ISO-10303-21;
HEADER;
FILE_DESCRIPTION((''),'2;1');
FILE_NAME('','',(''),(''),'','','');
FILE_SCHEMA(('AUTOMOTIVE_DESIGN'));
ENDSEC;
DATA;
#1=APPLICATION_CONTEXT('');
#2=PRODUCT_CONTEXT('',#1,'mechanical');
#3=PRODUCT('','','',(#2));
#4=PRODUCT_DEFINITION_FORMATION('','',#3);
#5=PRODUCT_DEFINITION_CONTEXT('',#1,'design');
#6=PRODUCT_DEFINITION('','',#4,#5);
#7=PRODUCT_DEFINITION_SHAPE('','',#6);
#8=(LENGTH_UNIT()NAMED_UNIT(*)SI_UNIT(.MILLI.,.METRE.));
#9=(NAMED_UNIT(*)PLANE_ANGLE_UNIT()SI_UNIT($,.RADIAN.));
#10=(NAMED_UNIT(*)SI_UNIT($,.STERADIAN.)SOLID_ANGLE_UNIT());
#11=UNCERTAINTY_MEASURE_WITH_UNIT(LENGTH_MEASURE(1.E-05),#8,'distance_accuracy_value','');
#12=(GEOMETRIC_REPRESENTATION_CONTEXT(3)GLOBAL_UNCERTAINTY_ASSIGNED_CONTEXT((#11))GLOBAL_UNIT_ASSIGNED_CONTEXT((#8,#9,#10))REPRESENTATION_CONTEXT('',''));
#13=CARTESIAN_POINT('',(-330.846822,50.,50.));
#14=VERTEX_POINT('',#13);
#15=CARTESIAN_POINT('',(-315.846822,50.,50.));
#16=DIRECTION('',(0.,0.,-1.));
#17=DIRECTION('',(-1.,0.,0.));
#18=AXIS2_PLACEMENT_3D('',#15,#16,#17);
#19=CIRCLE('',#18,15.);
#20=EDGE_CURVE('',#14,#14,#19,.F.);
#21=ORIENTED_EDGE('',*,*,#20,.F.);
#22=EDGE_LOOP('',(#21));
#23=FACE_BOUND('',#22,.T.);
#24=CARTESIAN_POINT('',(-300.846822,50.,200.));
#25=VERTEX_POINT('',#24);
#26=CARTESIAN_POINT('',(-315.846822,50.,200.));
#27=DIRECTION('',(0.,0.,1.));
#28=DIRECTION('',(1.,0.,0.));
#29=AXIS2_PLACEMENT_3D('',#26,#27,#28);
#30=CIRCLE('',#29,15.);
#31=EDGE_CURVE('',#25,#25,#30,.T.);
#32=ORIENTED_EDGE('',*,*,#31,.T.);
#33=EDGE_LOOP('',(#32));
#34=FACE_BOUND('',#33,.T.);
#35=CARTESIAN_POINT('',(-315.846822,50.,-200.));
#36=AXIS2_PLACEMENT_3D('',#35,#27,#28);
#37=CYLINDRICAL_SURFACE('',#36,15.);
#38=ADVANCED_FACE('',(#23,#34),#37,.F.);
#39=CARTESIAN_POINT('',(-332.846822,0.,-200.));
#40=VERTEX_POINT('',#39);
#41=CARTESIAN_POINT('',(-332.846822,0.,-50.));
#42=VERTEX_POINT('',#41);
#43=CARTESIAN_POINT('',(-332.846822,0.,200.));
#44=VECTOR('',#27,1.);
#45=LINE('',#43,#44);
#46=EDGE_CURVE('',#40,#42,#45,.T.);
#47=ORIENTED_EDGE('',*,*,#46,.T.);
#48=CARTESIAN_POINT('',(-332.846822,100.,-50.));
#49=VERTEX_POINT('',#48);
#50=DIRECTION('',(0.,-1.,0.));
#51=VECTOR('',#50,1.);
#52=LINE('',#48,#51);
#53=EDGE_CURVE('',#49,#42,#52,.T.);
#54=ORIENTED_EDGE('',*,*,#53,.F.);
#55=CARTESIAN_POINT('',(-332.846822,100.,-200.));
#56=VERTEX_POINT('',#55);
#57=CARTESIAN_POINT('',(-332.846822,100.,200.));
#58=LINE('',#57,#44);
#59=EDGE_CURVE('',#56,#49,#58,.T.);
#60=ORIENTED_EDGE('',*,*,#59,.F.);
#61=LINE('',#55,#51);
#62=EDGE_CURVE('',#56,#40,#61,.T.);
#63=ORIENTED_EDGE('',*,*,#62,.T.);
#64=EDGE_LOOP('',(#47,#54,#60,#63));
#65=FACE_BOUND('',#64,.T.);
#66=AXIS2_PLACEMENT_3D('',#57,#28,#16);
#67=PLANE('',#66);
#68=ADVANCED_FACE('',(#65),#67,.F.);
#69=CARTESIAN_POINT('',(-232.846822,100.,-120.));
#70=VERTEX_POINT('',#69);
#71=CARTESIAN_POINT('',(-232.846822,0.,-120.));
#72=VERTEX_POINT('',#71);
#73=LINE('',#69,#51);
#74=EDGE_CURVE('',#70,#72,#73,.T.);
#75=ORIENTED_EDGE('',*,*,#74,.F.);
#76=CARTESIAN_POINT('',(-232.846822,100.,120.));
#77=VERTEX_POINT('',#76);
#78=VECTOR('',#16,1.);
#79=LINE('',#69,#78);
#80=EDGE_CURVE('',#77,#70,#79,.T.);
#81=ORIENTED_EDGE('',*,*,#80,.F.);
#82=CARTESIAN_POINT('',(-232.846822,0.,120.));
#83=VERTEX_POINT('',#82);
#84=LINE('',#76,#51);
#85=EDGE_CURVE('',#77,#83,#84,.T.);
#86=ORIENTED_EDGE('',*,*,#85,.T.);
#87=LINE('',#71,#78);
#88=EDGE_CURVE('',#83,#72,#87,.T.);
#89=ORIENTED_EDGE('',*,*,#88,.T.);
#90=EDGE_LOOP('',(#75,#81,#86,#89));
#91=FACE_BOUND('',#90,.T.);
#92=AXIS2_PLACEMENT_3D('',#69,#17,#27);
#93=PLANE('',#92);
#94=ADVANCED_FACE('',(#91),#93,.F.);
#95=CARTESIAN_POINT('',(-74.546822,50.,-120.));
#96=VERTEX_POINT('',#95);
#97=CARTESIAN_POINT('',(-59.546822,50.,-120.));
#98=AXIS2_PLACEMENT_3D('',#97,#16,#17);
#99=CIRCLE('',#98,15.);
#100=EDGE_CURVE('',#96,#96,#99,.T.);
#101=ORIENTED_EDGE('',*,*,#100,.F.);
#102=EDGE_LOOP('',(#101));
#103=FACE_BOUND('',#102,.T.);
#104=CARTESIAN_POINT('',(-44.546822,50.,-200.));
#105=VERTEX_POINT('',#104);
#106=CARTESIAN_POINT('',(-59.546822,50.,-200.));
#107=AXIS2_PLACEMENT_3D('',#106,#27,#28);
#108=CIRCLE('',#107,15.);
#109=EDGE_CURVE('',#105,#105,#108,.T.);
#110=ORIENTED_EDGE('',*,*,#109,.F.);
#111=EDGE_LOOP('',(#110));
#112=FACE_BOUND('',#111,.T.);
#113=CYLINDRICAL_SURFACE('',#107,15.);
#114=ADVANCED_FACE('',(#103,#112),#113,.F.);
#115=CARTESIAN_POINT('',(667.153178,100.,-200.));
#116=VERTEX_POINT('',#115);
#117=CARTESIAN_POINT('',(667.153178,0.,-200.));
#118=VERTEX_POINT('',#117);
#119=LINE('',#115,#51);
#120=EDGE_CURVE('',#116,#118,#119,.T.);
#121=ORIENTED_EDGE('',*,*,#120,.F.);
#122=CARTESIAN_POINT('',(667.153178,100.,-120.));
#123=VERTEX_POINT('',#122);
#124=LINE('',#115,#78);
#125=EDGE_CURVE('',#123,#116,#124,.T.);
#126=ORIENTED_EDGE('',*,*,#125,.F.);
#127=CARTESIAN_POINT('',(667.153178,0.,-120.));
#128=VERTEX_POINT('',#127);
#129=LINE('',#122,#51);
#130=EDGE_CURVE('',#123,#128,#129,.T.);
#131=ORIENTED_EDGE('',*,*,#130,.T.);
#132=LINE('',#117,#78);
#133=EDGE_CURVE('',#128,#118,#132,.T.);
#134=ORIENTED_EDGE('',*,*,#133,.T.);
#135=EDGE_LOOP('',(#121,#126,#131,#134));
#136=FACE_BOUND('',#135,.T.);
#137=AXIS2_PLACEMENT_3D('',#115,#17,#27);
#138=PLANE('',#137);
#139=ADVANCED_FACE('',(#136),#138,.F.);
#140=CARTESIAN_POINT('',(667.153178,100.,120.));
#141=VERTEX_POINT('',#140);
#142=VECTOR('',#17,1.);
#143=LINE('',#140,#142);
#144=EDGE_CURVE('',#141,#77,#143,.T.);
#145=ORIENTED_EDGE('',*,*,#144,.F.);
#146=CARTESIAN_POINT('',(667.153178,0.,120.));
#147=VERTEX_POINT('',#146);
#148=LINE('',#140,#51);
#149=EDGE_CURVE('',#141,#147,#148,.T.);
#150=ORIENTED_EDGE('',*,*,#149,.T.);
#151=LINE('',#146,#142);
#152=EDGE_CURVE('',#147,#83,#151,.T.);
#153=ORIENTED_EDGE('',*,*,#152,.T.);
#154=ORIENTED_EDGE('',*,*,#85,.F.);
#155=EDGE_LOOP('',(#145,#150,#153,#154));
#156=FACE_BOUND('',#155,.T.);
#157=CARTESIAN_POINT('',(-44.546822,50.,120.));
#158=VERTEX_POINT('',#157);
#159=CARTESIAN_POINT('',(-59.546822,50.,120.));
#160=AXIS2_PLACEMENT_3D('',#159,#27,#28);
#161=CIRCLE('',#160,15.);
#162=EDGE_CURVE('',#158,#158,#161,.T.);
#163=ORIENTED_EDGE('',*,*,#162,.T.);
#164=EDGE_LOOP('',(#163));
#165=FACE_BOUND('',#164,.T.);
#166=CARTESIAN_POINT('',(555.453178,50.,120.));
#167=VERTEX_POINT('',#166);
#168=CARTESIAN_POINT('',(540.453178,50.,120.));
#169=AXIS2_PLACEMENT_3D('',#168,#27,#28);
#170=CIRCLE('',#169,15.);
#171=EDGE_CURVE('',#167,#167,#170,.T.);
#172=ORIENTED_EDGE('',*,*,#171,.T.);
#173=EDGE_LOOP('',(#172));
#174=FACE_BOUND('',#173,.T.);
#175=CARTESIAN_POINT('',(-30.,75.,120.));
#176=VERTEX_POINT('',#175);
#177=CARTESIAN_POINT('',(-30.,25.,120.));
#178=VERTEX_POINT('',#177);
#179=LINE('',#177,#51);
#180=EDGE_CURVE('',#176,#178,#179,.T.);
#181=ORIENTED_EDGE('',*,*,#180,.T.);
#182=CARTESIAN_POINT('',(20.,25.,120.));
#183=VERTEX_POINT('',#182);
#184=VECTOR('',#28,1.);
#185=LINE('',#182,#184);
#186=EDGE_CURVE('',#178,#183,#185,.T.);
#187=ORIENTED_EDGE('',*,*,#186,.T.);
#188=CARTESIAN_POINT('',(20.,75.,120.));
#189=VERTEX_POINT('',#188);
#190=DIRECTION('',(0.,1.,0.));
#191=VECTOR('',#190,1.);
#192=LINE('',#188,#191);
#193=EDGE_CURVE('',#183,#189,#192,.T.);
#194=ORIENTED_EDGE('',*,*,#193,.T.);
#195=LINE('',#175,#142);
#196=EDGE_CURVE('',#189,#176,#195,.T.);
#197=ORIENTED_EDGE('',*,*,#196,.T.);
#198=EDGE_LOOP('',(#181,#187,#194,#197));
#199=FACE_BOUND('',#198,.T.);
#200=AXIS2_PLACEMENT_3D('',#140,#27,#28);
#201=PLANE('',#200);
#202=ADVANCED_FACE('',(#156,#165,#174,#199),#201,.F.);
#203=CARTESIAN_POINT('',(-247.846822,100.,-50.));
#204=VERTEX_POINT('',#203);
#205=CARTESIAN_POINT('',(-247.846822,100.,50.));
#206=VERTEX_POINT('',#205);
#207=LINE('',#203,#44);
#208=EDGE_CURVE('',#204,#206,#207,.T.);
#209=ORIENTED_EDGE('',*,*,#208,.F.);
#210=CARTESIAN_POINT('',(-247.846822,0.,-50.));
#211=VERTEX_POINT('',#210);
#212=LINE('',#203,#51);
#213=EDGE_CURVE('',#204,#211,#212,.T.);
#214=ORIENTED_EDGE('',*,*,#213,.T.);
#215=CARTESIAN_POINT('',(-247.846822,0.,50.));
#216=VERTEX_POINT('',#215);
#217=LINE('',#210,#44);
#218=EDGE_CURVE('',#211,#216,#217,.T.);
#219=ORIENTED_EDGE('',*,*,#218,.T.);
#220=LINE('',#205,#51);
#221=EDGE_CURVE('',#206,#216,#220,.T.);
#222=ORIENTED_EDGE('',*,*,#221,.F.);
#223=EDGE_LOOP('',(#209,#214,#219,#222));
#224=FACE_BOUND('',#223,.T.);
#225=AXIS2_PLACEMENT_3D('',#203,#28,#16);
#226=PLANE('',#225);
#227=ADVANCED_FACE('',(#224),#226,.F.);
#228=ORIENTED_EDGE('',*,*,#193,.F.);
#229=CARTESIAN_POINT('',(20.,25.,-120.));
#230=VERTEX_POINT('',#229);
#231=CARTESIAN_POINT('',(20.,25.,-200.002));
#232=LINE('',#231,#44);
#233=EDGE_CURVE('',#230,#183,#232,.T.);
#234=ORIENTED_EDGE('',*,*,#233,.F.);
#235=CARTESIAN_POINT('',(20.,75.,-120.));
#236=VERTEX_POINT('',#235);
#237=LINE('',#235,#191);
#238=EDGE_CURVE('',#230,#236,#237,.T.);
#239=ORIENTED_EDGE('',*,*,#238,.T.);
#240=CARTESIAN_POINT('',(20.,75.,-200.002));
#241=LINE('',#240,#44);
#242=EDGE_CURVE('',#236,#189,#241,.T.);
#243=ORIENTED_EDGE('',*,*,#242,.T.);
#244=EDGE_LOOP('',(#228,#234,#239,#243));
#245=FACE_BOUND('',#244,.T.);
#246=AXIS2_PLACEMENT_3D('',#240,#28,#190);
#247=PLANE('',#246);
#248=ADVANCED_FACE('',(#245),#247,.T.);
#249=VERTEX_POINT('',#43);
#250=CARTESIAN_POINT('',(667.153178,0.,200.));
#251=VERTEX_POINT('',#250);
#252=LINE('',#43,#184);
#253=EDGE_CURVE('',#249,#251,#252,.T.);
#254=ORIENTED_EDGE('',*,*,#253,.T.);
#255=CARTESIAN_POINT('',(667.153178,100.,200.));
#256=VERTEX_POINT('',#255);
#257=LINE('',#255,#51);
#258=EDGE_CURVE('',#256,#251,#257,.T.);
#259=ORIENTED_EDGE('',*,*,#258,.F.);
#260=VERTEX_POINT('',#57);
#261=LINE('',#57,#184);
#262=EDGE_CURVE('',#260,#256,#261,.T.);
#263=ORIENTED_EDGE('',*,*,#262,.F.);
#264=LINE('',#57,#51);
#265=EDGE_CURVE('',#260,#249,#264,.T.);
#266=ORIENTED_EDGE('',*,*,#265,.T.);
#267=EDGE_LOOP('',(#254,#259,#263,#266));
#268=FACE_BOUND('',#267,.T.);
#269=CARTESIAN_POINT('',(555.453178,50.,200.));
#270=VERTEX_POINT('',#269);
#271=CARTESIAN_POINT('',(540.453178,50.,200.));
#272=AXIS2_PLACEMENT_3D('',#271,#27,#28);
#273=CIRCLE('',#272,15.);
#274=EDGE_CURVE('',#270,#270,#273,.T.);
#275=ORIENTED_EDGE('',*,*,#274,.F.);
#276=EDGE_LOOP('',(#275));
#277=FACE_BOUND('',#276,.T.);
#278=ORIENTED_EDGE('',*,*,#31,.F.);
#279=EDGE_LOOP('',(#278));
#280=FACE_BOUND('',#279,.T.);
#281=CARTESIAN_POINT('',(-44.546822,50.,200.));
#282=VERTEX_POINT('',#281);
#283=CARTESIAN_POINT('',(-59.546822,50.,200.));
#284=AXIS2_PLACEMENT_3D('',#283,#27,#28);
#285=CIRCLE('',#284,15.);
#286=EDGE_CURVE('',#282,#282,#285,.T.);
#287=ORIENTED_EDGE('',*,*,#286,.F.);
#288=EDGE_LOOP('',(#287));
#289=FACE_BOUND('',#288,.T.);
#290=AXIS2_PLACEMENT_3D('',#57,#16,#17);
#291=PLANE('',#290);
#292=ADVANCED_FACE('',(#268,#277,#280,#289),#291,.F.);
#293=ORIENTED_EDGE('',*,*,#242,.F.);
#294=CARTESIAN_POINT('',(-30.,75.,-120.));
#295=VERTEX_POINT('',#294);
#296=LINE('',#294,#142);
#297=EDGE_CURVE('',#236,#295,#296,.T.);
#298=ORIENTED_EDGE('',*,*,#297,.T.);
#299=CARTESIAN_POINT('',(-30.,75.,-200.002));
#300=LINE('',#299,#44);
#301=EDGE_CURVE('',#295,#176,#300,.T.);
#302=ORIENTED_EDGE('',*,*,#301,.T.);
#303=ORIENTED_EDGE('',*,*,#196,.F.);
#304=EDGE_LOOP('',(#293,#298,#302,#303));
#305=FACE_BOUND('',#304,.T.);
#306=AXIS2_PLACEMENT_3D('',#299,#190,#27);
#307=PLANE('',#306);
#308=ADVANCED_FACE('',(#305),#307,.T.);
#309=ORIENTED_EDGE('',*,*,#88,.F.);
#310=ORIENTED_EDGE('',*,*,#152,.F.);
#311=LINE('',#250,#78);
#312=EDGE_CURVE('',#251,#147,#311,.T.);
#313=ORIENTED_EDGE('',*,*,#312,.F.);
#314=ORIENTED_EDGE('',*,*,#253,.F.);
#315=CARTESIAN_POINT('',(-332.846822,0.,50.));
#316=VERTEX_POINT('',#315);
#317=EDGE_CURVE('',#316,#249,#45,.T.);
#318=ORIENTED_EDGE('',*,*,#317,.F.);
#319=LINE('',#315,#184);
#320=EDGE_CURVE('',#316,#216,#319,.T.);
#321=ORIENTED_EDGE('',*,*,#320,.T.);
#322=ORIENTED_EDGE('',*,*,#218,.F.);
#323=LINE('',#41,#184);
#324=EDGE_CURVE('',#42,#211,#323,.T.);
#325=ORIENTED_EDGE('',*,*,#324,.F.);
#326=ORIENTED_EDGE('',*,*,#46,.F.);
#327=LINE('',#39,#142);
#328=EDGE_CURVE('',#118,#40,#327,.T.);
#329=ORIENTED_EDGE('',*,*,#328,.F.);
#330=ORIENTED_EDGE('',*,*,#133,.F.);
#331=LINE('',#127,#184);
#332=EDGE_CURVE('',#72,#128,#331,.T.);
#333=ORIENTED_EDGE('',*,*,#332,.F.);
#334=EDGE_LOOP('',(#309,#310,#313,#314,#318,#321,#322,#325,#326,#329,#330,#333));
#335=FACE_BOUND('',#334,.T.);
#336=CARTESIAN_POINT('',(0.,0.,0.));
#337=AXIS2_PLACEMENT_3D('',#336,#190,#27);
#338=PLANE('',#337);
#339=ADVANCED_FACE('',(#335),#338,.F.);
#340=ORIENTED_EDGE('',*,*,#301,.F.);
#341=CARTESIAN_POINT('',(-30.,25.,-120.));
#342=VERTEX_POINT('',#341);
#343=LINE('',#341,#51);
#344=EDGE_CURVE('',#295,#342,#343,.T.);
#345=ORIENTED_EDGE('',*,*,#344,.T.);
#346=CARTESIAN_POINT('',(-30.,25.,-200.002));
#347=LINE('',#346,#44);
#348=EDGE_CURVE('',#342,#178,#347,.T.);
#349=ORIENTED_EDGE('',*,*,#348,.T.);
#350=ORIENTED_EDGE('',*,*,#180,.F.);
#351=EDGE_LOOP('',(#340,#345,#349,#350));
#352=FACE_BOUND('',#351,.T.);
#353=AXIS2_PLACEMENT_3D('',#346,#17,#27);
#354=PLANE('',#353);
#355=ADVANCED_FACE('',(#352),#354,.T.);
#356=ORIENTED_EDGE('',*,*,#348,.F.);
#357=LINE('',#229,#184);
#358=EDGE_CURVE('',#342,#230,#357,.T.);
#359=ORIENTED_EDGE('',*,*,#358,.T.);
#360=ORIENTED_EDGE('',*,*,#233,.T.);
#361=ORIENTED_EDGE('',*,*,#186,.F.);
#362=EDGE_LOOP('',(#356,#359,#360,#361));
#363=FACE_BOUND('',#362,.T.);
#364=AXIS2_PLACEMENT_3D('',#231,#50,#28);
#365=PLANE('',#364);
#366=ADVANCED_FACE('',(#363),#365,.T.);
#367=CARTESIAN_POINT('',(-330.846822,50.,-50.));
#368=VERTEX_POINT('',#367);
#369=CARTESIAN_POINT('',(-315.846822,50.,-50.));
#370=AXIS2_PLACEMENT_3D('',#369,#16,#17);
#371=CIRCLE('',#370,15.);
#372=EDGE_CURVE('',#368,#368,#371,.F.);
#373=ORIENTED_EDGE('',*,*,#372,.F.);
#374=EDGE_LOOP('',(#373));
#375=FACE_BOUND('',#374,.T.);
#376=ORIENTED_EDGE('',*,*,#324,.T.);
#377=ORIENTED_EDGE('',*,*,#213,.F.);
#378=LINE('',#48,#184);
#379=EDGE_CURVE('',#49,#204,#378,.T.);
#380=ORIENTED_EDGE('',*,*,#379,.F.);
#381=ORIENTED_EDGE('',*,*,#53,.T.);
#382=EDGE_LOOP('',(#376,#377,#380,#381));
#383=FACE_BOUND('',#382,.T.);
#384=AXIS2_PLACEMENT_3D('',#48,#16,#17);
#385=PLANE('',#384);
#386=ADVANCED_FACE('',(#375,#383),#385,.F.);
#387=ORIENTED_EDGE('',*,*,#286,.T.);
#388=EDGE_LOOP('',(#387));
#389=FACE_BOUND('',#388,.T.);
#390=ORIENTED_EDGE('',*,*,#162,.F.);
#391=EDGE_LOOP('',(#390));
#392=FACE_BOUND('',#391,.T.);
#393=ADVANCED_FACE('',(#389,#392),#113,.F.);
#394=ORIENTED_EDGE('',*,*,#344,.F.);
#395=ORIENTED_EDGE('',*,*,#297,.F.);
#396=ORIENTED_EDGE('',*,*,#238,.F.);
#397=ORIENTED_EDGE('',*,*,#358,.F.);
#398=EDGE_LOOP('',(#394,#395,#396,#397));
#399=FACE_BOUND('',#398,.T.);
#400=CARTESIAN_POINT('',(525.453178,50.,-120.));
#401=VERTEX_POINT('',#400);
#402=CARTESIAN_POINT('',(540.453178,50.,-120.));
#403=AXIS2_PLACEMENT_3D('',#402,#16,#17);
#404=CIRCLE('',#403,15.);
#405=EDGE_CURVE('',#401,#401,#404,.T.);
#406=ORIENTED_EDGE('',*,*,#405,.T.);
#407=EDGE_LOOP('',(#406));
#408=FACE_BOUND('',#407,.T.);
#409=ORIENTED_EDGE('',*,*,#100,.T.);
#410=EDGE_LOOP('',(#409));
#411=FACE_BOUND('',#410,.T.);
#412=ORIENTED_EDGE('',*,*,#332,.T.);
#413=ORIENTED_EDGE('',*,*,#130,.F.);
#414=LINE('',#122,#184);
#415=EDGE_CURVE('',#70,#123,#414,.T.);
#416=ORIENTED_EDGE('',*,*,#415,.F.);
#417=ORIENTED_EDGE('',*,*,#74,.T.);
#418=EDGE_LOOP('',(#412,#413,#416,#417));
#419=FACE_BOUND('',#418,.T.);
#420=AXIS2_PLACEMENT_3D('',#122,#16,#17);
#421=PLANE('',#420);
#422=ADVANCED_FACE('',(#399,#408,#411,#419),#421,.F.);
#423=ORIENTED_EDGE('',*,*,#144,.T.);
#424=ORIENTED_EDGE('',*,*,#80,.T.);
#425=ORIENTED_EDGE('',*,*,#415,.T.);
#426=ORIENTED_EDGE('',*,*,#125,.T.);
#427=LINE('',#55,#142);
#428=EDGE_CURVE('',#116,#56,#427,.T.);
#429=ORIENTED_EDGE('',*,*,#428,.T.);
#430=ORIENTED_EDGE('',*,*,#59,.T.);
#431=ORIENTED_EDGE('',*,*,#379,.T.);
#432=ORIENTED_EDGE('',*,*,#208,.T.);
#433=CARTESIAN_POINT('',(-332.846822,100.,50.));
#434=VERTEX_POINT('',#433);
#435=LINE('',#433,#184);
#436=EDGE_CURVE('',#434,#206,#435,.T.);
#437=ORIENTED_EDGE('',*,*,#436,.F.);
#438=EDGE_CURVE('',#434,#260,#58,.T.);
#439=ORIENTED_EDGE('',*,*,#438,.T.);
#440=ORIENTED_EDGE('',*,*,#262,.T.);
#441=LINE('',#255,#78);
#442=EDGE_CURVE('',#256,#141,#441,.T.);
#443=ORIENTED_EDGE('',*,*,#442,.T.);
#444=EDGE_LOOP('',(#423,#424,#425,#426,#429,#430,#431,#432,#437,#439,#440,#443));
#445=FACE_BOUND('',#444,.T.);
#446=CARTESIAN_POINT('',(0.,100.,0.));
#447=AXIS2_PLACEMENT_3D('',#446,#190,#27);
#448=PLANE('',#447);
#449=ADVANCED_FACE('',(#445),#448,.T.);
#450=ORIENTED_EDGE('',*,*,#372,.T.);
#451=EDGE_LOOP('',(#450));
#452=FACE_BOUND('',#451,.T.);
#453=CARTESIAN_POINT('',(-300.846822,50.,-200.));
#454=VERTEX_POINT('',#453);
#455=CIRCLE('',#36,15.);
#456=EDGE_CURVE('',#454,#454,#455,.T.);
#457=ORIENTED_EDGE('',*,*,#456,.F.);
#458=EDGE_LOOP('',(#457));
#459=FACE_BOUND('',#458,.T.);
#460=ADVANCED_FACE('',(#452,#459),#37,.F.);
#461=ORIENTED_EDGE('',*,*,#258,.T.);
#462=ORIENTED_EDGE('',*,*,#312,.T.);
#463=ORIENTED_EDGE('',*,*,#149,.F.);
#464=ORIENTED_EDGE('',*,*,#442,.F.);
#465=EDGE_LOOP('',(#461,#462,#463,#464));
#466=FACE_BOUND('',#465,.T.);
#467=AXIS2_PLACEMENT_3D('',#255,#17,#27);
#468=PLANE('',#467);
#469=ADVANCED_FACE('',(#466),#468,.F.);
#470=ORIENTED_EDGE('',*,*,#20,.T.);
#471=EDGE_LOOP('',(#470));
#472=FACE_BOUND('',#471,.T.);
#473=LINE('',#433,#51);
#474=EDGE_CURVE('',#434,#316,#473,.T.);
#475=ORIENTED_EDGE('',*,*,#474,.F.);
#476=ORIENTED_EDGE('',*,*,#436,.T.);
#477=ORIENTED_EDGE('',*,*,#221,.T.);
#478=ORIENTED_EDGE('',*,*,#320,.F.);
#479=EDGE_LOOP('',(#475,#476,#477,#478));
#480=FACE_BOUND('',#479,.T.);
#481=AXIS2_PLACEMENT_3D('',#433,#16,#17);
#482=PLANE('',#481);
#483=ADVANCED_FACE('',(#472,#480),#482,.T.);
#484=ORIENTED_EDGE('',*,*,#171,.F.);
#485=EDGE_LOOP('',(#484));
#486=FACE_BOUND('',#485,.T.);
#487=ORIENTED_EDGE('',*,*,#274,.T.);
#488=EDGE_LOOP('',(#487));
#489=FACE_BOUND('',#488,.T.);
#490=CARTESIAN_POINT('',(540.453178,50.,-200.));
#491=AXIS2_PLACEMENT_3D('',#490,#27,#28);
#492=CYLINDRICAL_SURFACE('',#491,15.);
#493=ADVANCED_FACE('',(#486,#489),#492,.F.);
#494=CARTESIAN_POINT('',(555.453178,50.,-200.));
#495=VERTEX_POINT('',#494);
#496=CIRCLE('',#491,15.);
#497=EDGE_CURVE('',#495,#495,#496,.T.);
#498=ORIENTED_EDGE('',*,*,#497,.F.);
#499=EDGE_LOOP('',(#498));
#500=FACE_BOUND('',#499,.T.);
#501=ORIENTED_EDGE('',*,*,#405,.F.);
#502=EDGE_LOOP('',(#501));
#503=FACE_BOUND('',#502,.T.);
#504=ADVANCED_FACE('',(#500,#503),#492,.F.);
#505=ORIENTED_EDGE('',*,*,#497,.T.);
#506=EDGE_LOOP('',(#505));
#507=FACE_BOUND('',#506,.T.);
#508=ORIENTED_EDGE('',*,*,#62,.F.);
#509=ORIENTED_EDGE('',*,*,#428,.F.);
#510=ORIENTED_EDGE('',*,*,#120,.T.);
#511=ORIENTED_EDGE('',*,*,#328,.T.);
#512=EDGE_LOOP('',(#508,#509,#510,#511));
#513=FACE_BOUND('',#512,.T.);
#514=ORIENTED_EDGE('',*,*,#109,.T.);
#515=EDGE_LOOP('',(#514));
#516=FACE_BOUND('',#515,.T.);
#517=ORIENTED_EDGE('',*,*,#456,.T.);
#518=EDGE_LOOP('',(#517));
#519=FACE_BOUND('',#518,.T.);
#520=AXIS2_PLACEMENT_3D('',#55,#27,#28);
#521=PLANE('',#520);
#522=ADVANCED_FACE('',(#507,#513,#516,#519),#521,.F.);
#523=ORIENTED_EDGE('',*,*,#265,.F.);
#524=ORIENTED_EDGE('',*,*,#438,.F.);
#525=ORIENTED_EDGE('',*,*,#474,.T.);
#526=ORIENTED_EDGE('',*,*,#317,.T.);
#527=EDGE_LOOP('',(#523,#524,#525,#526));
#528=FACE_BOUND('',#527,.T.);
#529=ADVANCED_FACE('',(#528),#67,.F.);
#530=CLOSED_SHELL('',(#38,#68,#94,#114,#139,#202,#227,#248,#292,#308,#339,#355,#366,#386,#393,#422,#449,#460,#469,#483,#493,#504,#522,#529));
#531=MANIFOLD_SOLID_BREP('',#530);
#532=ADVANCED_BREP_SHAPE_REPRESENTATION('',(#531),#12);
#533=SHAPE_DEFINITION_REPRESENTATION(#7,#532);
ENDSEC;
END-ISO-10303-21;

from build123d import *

# Parameters (mm, degrees)
ESTRUSIONE_ESTRUSIONE1_DEPTH             = 100
TAGLIO_ESTRUSIONE5_DEPTH                 = 704.628710974
TAGLIO_ESTRUSIONE5_DEPTH_BACK            = 704.628710974
SCHIZZO2_R                               = 15
TAGLIO_ESTRUSIONE6_DEPTH                 = 704.628710974
TAGLIO_ESTRUSIONE6_DEPTH_BACK            = 704.628710974
SCHIZZO3_W                               = 85
SCHIZZO3_H                               = 100
ESTRUSIONE_ESTRUSIONE2_REACH             = 705.629
SCHIZZO4_W                               = 50
SCHIZZO4_H                               = 50
ESTRUSIONE_ESTRUSIONE2_DIRECTION_2_REACH = 705.629


with BuildPart() as part:
    # Schizzo1 → Estrusione-Estrusione1 (new body)
    with BuildSketch(Plane(origin=(0, 0, 0), x_dir=(1, 0, 0), z_dir=(0, 1, 0))):
        Polygon((-332.846822006, -200), (-332.846822006, 200), (667.153177994, 200), (667.153177994, 120), (-232.846822006, 120), (-232.846822006, -120), (667.153177994, -120), (667.153177994, -200), align=None)
    extrude(amount=ESTRUSIONE_ESTRUSIONE1_DEPTH)

    # Schizzo2 → Taglio-Estrusione5 (cut, two sides: drawn at the far end of the back side and taken through both)
    with BuildSketch(Plane.XY.offset(-TAGLIO_ESTRUSIONE5_DEPTH_BACK)):
        with Locations((-315.846822006, 50)):
            Circle(SCHIZZO2_R)
        with Locations((-59.546822006, 50)):
            Circle(SCHIZZO2_R)
        with Locations((540.453177994, 50)):
            Circle(SCHIZZO2_R)
    extrude(amount=TAGLIO_ESTRUSIONE5_DEPTH + TAGLIO_ESTRUSIONE5_DEPTH_BACK, mode=Mode.SUBTRACT)

    # Schizzo3 → Taglio-Estrusione6 (cut, two sides: drawn at the far end of the back side and taken through both)
    with BuildSketch(Plane(origin=(0, 0, 0), x_dir=(1, 0, 0), z_dir=(0, 1, 0)).offset(-TAGLIO_ESTRUSIONE6_DEPTH_BACK)):
        with Locations((-290.346822006, 0)):
            Rectangle(SCHIZZO3_W, SCHIZZO3_H)
    extrude(amount=TAGLIO_ESTRUSIONE6_DEPTH + TAGLIO_ESTRUSIONE6_DEPTH_BACK, mode=Mode.SUBTRACT)

    # Schizzo4 → Estrusione-Estrusione2 (add, up to next)
    with BuildSketch(Plane.XY, mode=Mode.PRIVATE) as estrusione_estrusione2_sk1:
        with Locations((-5, 50)):
            Rectangle(SCHIZZO4_W, SCHIZZO4_H)
    estrusione_estrusione2_tool1 = extrude(estrusione_estrusione2_sk1.sketch, amount=ESTRUSIONE_ESTRUSIONE2_REACH, mode=Mode.PRIVATE) - part.part
    add(estrusione_estrusione2_tool1.solids().sort_by_distance((-5, 50, 0))[0])

    # Schizzo4 → Estrusione-Estrusione2 direction 2 (add, up to next)
    with BuildSketch(Plane.XY, mode=Mode.PRIVATE) as estrusione_estrusione2_direction_2_sk1:
        with Locations((-5, 50)):
            Rectangle(SCHIZZO4_W, SCHIZZO4_H)
    estrusione_estrusione2_direction_2_tool1 = extrude(estrusione_estrusione2_direction_2_sk1.sketch, amount=-ESTRUSIONE_ESTRUSIONE2_DIRECTION_2_REACH, mode=Mode.PRIVATE) - part.part
    add(estrusione_estrusione2_direction_2_tool1.solids().sort_by_distance((-5, 50, 0))[0])


solid = part.part
